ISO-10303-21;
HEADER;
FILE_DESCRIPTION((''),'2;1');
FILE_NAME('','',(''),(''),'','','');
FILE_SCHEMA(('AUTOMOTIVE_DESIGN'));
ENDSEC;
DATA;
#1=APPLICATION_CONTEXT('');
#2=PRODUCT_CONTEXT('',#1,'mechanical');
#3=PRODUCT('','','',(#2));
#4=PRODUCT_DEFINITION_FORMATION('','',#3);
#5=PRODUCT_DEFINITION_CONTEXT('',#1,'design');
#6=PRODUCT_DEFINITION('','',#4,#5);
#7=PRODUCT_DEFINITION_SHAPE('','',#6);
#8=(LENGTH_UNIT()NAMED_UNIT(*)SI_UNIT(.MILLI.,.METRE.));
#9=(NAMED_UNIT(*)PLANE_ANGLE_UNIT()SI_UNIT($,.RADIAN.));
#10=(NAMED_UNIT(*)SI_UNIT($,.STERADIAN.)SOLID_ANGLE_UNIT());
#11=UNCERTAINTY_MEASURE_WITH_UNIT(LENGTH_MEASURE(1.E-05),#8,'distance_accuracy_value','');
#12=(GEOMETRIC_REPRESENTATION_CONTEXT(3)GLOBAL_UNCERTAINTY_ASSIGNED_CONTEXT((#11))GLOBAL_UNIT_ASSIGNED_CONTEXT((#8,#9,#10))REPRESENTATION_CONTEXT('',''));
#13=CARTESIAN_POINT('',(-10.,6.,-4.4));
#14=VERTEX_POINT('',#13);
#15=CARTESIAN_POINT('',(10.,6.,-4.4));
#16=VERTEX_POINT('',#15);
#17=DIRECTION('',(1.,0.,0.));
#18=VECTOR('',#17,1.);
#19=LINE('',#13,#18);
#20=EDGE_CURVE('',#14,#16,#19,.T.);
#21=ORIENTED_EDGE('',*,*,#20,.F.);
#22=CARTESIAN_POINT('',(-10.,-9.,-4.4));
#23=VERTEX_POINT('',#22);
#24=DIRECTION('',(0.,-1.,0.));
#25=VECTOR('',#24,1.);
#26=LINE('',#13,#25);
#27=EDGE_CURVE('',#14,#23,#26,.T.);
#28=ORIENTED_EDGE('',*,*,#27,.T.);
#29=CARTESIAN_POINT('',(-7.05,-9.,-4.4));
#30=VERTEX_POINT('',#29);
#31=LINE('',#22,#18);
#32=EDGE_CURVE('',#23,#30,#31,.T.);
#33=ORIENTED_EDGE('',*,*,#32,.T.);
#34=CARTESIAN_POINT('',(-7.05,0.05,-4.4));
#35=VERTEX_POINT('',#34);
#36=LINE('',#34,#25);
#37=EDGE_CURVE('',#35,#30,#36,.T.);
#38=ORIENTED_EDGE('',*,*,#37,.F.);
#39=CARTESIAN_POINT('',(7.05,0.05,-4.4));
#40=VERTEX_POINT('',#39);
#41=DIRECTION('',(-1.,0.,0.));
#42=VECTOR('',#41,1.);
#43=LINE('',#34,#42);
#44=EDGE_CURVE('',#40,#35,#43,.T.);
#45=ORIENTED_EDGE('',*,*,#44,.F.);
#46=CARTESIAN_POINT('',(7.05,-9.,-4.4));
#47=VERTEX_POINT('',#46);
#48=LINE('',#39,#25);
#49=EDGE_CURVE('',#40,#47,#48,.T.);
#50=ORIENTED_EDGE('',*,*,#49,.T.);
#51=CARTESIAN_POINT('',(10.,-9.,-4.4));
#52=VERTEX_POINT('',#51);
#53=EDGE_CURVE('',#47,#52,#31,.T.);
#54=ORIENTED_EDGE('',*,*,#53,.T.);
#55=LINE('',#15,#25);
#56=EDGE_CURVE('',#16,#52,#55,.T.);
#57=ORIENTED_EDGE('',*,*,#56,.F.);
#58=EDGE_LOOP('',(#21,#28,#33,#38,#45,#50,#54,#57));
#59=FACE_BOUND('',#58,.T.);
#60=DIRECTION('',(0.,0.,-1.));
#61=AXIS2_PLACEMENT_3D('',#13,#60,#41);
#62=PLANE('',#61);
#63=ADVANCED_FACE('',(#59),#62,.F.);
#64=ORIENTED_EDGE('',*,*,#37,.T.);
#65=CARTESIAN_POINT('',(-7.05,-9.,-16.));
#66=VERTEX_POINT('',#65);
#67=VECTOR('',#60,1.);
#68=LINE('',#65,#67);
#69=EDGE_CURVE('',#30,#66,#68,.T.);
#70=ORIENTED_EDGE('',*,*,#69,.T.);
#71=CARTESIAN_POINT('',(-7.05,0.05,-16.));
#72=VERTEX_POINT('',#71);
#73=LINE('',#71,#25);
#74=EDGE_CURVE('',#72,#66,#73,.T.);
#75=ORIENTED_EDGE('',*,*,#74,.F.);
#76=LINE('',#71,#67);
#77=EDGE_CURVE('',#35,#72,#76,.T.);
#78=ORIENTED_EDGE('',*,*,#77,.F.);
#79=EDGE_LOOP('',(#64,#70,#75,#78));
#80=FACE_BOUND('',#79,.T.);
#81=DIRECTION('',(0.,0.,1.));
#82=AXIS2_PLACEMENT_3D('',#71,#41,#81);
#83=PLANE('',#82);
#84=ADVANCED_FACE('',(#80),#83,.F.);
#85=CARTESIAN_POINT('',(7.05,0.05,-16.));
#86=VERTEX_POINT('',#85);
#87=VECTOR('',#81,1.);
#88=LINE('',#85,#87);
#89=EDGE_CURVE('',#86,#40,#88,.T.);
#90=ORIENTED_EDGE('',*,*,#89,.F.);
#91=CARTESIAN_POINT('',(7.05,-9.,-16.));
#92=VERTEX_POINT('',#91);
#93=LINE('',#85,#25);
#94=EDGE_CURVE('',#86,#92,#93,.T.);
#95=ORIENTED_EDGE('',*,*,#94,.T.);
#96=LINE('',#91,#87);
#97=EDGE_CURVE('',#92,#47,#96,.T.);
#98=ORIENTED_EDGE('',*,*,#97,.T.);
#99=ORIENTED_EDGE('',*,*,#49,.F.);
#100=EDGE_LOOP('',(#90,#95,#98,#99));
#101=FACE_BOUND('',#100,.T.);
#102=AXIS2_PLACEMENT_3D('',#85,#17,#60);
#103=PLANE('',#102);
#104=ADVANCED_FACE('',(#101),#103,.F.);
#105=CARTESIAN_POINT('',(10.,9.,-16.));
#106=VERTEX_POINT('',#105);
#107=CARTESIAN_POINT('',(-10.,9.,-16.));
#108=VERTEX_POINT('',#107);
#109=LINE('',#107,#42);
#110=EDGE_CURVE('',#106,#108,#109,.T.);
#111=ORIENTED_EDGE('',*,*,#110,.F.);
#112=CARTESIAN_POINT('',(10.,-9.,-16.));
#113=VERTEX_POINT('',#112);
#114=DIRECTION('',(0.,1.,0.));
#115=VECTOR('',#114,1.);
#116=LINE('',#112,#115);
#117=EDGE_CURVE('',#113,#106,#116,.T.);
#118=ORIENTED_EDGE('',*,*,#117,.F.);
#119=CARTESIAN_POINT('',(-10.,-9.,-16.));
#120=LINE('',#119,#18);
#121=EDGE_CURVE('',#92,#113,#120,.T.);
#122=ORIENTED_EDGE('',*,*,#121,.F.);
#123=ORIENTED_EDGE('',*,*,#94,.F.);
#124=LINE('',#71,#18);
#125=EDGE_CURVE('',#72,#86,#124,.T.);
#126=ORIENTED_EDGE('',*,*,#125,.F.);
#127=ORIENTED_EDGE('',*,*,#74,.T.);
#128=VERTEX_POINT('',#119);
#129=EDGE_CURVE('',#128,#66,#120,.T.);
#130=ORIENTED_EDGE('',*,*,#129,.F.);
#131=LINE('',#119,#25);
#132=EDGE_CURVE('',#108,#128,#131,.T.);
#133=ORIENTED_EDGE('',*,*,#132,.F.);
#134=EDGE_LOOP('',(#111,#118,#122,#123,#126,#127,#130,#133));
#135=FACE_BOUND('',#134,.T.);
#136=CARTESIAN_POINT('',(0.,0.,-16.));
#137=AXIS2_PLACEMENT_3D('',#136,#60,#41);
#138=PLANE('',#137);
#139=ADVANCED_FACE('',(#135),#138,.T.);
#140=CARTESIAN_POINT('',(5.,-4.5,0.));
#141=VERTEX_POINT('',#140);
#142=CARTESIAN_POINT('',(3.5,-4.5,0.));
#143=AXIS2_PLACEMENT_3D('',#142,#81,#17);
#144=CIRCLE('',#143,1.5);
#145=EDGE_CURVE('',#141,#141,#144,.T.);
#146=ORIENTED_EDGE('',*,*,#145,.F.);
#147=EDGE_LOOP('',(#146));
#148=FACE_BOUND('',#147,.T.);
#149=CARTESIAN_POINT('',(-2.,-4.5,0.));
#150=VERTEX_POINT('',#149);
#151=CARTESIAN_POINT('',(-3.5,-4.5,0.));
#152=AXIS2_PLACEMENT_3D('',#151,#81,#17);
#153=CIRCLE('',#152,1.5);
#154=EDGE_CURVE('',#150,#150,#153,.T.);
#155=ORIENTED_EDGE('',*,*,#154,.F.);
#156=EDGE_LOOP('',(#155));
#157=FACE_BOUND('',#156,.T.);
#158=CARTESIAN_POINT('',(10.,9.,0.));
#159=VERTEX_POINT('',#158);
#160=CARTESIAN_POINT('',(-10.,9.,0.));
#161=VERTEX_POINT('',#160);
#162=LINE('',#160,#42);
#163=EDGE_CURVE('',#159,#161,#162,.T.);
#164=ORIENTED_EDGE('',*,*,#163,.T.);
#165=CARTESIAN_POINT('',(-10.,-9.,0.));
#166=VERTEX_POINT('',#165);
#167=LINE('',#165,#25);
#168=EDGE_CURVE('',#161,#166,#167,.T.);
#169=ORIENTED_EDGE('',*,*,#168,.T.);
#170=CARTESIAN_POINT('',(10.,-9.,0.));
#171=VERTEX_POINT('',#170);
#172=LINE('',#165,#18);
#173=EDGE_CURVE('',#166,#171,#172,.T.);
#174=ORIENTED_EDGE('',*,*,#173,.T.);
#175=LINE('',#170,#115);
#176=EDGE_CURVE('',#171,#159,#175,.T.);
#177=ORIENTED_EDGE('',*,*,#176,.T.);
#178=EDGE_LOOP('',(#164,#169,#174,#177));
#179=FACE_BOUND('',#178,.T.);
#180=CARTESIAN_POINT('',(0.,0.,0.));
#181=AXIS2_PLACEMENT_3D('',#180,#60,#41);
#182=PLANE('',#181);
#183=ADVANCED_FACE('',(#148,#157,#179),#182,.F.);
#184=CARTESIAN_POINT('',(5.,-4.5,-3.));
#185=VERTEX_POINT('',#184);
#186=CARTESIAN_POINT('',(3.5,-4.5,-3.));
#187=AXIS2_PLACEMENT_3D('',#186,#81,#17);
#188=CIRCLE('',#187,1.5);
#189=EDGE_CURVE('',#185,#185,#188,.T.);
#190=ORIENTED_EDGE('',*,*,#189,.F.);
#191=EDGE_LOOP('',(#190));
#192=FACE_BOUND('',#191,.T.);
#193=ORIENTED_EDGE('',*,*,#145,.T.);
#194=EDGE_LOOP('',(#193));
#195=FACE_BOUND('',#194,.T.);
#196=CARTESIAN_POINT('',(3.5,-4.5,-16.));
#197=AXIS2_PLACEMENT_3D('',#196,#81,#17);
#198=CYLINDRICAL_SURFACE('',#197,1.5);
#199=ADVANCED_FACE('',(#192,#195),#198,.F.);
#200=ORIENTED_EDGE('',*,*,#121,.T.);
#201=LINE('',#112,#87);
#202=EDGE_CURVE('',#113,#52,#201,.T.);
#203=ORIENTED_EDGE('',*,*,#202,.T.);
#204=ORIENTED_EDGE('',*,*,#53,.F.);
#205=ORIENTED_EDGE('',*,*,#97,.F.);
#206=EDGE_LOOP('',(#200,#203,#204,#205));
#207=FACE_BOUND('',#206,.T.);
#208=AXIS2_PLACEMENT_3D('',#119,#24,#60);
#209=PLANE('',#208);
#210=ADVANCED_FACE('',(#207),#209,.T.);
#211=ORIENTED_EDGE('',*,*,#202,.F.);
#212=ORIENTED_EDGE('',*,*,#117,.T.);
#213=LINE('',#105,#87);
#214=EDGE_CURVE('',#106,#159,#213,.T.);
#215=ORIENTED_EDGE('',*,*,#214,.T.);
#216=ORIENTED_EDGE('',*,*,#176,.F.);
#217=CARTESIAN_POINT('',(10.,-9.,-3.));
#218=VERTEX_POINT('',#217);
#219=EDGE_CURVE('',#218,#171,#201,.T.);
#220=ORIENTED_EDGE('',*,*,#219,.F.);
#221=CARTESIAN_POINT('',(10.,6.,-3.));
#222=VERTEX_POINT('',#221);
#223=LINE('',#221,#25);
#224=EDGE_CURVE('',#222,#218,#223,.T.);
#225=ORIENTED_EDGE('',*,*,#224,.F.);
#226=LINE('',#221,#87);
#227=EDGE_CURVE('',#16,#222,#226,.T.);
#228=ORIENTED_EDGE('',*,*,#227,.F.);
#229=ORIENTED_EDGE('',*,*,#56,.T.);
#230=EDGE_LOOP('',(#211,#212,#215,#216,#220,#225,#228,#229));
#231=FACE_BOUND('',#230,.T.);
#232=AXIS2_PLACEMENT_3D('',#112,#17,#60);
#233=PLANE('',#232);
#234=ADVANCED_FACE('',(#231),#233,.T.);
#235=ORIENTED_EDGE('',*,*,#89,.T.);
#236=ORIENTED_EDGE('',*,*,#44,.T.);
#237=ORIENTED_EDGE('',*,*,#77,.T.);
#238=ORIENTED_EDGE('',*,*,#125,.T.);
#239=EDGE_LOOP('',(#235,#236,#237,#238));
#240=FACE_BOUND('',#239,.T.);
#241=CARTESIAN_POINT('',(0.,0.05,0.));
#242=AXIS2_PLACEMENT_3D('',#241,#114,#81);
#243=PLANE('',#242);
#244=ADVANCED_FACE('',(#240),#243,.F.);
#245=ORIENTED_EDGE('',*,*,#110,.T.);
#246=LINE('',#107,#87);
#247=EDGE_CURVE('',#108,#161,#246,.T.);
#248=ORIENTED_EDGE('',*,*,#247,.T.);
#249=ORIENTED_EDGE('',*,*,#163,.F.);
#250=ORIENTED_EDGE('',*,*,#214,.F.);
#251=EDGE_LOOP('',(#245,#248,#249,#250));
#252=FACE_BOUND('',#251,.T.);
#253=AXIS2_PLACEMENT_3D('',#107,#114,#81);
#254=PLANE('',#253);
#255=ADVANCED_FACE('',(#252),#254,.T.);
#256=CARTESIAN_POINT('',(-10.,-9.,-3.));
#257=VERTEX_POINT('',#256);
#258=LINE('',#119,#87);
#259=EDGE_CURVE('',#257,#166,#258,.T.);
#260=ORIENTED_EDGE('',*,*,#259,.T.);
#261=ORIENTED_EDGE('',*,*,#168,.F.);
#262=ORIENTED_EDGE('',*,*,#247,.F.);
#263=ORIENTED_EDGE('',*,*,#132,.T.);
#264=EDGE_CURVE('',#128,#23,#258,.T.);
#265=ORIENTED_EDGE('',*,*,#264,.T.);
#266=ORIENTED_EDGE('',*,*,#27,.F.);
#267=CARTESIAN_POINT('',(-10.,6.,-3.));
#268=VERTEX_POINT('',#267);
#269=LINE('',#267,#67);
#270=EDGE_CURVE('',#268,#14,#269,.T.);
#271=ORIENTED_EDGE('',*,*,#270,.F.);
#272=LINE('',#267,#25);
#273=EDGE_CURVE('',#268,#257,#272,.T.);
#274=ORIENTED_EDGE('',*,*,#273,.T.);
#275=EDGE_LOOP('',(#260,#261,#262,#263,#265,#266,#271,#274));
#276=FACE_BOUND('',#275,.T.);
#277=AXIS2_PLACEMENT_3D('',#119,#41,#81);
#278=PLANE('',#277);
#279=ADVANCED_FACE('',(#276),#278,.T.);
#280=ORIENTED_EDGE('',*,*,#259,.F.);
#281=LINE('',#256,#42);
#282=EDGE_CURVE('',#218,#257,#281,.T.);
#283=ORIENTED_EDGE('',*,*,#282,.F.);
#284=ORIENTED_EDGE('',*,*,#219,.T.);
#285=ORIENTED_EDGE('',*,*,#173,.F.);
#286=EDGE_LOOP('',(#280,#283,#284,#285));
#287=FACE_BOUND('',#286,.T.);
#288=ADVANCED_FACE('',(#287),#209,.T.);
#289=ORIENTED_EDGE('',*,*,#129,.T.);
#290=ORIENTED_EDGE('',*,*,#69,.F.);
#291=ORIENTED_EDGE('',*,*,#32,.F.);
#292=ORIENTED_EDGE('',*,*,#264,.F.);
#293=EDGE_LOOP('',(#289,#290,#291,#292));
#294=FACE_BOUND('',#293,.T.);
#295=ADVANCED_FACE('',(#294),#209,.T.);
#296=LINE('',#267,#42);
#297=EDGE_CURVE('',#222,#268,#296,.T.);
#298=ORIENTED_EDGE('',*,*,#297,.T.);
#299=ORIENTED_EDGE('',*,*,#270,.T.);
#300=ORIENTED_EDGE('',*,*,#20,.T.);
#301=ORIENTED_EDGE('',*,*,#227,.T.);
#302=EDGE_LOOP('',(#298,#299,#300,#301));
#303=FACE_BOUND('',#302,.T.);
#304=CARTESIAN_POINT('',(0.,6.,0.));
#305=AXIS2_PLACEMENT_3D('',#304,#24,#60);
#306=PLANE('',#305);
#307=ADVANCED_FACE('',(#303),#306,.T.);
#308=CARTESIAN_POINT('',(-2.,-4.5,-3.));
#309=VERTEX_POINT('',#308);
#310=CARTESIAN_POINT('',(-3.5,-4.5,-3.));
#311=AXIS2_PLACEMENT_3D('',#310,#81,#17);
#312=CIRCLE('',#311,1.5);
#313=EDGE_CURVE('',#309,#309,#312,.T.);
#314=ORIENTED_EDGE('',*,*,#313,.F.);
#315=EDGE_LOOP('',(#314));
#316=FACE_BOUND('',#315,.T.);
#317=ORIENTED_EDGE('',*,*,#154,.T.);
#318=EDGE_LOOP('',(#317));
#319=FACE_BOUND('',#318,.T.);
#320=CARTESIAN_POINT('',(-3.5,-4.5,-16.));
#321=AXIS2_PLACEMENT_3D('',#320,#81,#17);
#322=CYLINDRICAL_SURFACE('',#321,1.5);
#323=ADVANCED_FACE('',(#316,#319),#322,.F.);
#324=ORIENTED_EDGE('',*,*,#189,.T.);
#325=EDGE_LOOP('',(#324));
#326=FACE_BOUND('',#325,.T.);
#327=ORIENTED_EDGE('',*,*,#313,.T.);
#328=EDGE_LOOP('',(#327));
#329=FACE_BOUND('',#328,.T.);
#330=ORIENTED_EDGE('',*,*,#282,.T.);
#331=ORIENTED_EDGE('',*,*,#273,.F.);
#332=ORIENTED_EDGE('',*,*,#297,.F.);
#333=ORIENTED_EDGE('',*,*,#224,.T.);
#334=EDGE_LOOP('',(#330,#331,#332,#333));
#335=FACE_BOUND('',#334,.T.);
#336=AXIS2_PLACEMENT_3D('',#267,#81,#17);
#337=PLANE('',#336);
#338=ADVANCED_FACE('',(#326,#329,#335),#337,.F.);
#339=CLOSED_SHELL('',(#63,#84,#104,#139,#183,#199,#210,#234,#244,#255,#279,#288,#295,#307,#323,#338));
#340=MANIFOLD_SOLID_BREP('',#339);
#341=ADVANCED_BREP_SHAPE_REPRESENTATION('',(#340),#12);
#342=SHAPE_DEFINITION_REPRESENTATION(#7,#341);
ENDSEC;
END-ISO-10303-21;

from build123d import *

# Parameters (mm, degrees)
CROQUIS1_W              = 20
CROQUIS1_H              = 18
SALIENTE_EXTRUIR1_DEPTH = 16
CROQUIS2_W              = 14.1
CROQUIS2_H              = 11.6
CORTAR_EXTRUIR1_DEPTH   = 9.05
CROQUIS4_W              = 20
CROQUIS4_H              = 1.4
CORTAR_EXTRUIR2_DEPTH   = 15
CROQUIS5_R              = 1.5
CORTAR_EXTRUIR3_DEPTH   = 17


with BuildPart() as part:
    # Croquis1 → Saliente-Extruir1 (new body)
    with BuildSketch(Plane.XY):
        Rectangle(CROQUIS1_W, CROQUIS1_H)
    extrude(amount=-SALIENTE_EXTRUIR1_DEPTH)

    # Croquis2 → Cortar-Extruir1 (cut)
    with BuildSketch(Plane.XZ.offset(9)):
        with Locations((0, -10.2)):
            Rectangle(CROQUIS2_W, CROQUIS2_H)
    extrude(amount=-CORTAR_EXTRUIR1_DEPTH, mode=Mode.SUBTRACT)

    # Croquis4 → Cortar-Extruir2 (cut)
    with BuildSketch(Plane.XZ.offset(9)):
        with Locations((0, -3.7)):
            Rectangle(CROQUIS4_W, CROQUIS4_H)
    extrude(amount=-CORTAR_EXTRUIR2_DEPTH, mode=Mode.SUBTRACT)

    # Croquis5 → Cortar-Extruir3 (cut, through all)
    with BuildSketch(Plane.XY):
        with Locations((-3.5, -4.5)):
            Circle(CROQUIS5_R)
        with Locations((3.5, -4.5)):
            Circle(CROQUIS5_R)
    extrude(amount=-CORTAR_EXTRUIR3_DEPTH, mode=Mode.SUBTRACT)


solid = part.part
